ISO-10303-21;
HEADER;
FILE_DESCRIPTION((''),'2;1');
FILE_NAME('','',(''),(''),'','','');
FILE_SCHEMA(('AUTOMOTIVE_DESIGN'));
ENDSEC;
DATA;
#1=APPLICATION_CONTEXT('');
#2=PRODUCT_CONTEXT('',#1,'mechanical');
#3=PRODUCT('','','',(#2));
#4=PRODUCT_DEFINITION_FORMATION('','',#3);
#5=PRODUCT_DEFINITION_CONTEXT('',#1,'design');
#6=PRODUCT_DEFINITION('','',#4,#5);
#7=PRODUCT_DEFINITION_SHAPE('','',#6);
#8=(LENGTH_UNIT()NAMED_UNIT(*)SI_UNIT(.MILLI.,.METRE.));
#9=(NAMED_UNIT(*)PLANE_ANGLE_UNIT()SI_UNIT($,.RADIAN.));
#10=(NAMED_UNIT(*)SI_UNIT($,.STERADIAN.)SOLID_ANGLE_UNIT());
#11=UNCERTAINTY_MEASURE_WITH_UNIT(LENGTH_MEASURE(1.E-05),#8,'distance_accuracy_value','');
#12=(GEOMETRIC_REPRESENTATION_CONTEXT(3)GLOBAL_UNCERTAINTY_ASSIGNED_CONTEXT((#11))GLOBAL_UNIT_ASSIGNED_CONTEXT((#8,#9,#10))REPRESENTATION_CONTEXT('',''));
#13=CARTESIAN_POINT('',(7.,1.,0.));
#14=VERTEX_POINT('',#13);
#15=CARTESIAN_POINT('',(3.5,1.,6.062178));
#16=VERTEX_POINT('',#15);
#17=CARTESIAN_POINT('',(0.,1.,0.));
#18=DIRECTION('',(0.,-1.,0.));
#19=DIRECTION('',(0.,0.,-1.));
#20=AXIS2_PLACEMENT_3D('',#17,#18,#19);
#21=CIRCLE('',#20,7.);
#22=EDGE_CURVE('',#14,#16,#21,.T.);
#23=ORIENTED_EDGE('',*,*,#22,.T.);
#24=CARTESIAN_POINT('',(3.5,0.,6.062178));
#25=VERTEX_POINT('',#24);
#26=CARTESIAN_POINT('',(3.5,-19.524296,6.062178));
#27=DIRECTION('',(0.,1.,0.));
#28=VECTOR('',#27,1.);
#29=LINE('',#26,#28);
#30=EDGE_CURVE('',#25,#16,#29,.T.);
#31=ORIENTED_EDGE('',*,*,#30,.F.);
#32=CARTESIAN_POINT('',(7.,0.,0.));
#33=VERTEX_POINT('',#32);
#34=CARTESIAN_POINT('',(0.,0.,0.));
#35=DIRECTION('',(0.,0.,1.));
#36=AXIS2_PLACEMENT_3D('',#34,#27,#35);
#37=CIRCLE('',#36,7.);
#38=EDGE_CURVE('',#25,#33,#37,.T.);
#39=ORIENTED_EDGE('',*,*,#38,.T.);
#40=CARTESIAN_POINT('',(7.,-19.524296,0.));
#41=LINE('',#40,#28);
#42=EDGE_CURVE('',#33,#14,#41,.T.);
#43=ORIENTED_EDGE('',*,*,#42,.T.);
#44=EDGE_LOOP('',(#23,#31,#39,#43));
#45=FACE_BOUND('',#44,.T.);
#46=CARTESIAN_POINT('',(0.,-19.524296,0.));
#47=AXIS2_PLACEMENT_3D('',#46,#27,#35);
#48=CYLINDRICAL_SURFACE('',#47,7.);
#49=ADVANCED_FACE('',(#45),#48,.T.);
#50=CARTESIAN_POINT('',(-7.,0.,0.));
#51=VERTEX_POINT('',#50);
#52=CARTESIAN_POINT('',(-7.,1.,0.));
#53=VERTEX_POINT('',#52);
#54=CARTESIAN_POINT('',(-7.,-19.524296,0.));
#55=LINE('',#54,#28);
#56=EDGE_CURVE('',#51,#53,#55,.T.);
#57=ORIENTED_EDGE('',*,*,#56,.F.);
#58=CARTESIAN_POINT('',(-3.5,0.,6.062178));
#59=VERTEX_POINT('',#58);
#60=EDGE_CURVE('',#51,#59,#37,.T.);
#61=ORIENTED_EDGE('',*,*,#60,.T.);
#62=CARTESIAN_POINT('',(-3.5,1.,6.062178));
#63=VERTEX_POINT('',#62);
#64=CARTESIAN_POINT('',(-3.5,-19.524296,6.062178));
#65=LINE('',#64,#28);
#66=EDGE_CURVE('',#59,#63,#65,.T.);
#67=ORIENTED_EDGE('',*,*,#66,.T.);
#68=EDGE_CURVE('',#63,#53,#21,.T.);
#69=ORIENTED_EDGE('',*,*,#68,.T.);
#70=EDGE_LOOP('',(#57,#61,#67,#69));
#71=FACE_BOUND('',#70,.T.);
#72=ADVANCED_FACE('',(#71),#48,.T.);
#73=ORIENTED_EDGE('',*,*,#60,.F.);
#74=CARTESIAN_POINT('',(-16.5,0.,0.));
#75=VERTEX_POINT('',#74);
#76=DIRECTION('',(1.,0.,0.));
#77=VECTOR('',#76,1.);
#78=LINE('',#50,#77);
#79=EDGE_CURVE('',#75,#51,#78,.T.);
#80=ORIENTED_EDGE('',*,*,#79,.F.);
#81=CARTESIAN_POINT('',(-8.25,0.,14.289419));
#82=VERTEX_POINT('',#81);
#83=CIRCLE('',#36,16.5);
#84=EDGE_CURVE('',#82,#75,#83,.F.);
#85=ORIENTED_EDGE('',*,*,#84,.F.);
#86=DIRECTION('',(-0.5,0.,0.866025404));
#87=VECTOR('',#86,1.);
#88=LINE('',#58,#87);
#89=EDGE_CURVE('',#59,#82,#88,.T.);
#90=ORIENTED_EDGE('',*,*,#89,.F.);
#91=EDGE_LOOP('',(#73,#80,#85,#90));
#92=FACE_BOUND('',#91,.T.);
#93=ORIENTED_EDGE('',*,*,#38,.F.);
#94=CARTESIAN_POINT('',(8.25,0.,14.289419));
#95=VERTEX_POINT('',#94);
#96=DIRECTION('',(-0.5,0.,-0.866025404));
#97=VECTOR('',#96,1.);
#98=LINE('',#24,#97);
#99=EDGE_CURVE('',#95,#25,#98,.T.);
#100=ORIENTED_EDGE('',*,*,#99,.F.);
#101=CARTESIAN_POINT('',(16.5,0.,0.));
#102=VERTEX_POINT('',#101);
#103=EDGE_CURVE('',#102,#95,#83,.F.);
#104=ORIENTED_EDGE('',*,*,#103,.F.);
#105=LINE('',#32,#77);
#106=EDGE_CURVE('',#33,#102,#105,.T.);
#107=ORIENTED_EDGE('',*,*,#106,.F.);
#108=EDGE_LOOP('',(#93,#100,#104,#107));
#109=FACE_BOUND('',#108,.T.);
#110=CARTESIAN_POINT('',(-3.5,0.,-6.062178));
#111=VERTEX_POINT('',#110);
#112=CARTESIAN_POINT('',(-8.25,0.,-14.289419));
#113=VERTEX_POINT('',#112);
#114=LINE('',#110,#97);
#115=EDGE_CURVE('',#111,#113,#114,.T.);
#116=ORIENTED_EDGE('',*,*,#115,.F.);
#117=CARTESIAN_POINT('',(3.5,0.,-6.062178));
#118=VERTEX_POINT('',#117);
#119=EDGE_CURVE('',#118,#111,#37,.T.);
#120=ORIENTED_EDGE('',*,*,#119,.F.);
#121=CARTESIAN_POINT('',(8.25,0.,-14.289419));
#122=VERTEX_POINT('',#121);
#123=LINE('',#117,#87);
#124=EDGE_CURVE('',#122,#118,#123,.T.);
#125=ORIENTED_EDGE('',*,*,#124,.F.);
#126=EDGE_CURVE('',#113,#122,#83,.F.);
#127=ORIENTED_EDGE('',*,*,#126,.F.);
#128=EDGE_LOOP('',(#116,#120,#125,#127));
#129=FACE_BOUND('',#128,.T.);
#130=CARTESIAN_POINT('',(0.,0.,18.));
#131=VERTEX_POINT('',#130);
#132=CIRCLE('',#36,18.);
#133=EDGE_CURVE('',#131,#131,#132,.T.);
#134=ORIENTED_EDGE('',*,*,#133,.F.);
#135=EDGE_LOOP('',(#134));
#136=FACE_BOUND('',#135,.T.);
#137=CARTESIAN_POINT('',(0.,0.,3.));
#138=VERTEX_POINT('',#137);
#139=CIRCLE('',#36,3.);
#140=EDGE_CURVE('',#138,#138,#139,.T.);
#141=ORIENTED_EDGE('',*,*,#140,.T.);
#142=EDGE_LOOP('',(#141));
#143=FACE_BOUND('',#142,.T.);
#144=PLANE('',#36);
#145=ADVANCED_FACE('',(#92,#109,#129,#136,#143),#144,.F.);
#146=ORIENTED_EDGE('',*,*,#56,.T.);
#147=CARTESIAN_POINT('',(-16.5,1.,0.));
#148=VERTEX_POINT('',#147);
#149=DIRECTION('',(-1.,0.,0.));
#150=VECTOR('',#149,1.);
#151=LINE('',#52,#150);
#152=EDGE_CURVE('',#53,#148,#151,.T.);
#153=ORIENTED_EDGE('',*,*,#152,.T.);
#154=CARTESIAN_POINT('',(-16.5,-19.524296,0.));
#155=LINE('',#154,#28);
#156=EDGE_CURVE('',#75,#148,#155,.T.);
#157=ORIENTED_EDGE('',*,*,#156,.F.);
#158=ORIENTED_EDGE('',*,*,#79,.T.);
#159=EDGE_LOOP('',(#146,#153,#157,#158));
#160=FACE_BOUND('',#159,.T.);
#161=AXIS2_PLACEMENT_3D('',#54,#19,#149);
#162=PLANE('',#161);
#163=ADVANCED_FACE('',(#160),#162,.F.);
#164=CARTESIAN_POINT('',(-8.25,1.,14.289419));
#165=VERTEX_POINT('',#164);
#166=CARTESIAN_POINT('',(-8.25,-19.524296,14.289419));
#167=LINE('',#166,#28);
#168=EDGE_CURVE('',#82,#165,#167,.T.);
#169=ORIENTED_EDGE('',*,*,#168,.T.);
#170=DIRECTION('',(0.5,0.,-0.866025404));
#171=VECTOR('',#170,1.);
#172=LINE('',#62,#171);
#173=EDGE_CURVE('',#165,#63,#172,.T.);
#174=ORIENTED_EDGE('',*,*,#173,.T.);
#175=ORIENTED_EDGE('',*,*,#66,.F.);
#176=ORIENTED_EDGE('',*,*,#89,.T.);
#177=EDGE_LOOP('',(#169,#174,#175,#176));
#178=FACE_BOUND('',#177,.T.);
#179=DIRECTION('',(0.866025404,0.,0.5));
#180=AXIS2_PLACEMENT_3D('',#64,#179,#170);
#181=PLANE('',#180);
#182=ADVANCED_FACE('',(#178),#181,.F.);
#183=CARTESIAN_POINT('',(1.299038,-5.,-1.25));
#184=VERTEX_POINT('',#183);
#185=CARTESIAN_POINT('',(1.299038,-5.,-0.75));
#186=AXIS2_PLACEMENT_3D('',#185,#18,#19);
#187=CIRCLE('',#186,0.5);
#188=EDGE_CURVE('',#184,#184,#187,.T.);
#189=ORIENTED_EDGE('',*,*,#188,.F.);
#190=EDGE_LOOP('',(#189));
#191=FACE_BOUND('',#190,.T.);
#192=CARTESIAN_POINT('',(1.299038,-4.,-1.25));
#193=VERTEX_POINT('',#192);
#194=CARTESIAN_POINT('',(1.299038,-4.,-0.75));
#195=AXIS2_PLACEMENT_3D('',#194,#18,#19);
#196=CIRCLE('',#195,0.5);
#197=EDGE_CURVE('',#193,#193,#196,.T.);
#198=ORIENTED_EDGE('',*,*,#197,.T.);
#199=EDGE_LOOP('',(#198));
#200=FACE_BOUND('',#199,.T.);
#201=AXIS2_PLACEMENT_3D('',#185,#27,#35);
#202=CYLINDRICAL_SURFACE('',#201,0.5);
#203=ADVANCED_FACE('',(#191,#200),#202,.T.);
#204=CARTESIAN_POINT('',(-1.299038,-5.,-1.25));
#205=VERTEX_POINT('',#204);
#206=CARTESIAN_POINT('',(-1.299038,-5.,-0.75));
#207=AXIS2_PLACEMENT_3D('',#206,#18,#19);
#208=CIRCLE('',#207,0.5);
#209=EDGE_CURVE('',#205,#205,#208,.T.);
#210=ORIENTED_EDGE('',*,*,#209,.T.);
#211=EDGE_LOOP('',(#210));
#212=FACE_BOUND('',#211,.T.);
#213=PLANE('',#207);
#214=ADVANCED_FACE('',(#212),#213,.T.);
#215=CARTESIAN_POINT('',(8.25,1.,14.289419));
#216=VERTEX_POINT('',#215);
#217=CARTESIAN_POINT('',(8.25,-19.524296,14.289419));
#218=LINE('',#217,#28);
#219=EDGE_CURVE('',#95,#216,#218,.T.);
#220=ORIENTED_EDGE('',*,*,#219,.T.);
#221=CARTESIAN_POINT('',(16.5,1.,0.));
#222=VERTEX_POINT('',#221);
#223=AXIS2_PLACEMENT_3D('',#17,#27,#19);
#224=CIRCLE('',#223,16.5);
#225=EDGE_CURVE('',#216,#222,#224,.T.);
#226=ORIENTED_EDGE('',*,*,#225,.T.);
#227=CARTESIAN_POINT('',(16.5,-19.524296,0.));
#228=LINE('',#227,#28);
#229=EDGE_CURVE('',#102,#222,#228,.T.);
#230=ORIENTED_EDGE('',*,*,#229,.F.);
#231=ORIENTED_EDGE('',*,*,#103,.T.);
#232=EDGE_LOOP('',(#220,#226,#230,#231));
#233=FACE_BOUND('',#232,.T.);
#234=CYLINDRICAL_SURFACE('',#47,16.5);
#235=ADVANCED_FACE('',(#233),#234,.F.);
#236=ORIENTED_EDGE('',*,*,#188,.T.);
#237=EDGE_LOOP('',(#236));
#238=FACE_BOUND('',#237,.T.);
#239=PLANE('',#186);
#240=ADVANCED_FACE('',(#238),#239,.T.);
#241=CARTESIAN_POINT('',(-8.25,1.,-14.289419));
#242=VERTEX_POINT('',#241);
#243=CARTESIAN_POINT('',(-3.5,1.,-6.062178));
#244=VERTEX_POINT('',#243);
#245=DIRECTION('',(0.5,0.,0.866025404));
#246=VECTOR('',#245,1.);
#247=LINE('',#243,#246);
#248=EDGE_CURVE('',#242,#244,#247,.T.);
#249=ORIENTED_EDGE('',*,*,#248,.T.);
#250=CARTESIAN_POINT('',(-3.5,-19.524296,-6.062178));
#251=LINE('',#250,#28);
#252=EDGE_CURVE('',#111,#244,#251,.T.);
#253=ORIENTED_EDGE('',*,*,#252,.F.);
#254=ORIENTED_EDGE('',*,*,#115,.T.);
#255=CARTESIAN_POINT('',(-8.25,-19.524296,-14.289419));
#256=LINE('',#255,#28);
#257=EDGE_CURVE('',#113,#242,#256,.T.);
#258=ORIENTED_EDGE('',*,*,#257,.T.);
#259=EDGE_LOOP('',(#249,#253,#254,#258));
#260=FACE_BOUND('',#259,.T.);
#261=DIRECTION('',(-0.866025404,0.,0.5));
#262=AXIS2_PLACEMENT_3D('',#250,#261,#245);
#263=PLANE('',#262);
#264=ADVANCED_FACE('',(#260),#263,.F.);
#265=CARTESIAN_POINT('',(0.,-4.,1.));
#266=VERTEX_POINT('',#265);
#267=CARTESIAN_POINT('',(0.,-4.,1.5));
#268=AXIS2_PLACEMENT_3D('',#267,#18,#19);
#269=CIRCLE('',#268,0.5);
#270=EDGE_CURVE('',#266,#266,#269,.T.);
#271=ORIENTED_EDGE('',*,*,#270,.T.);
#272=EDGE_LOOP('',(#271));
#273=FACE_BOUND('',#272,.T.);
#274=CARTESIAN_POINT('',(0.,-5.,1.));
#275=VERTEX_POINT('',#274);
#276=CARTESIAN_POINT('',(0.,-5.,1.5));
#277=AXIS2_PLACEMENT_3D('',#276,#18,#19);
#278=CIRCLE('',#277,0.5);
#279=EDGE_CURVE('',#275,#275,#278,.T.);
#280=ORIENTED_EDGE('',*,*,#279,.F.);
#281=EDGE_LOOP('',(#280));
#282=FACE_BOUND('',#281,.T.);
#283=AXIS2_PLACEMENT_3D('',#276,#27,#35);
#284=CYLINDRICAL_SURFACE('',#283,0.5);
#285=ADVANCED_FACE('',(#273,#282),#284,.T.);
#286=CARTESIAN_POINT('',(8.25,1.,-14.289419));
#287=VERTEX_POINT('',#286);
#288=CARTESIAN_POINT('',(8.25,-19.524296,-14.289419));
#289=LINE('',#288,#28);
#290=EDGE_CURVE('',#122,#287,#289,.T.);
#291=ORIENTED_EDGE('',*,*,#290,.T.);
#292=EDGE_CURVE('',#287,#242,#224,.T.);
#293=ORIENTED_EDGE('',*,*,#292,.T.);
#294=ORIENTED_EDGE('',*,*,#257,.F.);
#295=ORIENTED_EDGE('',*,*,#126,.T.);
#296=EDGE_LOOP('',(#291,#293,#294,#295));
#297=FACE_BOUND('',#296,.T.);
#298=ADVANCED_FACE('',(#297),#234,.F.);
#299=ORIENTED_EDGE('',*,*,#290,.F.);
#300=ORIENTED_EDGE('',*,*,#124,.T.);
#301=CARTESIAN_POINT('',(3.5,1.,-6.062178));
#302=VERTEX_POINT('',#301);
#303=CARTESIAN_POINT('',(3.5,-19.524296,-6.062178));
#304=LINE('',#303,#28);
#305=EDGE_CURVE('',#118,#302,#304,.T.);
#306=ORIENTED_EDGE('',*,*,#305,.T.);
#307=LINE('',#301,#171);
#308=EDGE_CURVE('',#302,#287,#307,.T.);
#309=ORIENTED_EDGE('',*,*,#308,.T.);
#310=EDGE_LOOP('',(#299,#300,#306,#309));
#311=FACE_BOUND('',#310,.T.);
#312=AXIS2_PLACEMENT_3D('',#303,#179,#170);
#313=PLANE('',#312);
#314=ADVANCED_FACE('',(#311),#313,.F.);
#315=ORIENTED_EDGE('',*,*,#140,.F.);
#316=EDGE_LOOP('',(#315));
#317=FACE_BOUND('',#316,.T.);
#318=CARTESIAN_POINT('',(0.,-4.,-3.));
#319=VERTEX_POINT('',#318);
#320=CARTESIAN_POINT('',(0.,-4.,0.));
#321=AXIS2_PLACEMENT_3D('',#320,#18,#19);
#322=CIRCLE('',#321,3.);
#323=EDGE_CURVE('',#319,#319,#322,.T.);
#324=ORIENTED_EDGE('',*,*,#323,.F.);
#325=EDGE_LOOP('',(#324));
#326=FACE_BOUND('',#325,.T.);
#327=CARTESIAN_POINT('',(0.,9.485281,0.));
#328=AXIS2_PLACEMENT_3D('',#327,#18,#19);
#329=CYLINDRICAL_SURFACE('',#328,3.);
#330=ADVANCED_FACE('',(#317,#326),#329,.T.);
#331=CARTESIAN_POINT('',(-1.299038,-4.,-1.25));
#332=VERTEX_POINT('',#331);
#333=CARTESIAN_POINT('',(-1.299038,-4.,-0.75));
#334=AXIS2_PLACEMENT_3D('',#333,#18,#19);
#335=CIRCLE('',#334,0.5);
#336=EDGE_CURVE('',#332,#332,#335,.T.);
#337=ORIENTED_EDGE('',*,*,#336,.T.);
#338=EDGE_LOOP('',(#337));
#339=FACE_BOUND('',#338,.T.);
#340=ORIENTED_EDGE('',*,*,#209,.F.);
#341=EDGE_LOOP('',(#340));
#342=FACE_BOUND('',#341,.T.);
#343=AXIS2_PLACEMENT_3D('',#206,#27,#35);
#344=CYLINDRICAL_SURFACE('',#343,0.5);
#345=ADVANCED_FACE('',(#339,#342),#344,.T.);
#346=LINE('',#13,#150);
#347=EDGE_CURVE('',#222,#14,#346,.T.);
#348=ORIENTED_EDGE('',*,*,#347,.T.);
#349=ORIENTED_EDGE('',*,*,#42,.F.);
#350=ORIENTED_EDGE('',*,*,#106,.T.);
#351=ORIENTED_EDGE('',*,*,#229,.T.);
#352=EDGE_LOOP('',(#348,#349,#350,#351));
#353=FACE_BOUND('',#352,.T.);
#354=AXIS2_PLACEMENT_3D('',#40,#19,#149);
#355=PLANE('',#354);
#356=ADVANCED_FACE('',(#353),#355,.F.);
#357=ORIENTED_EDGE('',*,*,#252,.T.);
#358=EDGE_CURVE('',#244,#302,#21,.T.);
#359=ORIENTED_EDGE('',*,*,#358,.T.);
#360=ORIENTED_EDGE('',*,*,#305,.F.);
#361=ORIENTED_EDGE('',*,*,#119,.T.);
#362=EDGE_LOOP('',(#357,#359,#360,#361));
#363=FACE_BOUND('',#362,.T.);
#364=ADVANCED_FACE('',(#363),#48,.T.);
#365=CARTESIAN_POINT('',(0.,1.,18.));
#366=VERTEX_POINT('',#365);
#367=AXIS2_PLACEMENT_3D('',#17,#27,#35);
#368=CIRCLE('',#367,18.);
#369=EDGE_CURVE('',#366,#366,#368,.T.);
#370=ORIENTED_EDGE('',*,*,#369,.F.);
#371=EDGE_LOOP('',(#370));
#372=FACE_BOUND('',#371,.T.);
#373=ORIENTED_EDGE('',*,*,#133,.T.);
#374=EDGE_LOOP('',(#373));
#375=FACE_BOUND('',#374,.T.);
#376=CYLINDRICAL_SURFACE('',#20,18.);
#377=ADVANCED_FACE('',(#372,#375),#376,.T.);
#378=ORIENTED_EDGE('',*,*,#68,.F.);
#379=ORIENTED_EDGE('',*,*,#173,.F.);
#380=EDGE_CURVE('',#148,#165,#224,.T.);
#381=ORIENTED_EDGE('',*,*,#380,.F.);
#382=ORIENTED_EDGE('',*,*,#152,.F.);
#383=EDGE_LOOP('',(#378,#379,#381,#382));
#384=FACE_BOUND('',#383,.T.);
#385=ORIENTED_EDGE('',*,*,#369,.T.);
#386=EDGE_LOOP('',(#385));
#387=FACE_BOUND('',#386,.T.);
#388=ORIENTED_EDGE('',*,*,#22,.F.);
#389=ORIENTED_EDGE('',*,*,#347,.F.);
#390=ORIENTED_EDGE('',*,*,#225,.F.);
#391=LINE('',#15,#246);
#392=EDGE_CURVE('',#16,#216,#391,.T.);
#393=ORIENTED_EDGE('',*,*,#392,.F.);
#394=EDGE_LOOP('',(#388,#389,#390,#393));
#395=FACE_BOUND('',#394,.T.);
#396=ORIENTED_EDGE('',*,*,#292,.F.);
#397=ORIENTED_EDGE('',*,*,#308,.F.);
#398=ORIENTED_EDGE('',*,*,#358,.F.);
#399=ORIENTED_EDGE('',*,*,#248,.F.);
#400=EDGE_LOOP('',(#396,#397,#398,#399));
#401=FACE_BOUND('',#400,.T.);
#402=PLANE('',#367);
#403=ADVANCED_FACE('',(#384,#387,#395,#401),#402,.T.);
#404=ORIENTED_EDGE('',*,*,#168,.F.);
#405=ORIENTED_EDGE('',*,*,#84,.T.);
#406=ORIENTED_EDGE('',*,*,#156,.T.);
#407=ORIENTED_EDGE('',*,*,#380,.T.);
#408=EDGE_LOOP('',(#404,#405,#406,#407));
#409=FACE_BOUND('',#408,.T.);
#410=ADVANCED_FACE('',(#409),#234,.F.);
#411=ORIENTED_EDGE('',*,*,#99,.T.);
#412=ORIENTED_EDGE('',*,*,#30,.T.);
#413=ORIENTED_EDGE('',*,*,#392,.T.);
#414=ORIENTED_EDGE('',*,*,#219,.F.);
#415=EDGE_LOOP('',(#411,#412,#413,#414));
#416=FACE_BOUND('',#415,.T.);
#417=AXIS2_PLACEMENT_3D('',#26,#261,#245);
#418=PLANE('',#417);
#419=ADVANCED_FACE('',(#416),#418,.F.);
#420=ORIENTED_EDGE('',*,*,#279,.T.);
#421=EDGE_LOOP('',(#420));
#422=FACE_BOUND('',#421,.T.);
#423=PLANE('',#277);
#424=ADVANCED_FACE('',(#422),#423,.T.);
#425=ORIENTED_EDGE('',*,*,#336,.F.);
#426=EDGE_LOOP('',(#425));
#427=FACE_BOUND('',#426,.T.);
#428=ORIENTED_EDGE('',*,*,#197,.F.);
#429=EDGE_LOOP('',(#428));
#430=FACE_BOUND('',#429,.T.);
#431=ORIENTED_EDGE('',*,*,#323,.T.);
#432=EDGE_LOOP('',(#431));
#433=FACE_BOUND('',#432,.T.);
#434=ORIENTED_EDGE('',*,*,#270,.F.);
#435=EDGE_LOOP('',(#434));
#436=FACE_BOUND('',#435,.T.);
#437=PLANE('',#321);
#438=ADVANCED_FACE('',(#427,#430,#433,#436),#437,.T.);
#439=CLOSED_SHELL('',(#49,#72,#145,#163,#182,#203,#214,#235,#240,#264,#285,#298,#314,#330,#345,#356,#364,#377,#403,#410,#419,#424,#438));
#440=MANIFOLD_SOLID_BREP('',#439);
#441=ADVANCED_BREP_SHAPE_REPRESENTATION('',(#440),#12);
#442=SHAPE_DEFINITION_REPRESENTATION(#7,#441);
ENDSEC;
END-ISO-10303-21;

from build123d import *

# Parameters (mm, degrees)
SKETCH1_R                = 18
BOSS_EXTRUDE1_DEPTH      = 1
SKETCH4_R                = 0.5
CUT_EXTRUDE2_DEPTH       = 1
BOSS_EXTRUDE2_DEPTH      = 4
BOSS_EXTRUDE2_DEPTH_BACK = 1
SKETCH5_R                = 3
BOSS_EXTRUDE3_START      = -5
SKETCH4_3_R              = 0.5
BOSS_EXTRUDE3_DEPTH      = 1


with BuildPart() as part:
    # Sketch1 → Boss-Extrude1 (new body)
    with BuildSketch(Plane(origin=(0, 0, 0), x_dir=(1, 0, 0), z_dir=(0, 1, 0))):
        with Locations(Location((0, 0, 0), (0, 0, 270))):
            Circle(SKETCH1_R)
    extrude(amount=BOSS_EXTRUDE1_DEPTH)

    # Sketch4 → Cut-Extrude2 (cut)
    with BuildSketch(Plane(origin=(0, 1, 0), x_dir=(1, 0, 0), z_dir=(0, 1, 0))):
        with Locations(Location((1.299038106, 0.75, 0), (0, 0, 270))):
            Circle(SKETCH4_R)
        with Locations(Location((0, -1.5, 0), (0, 0, 270))):
            Circle(SKETCH4_R)
        with Locations(Location((-1.299038106, 0.75, 0), (0, 0, 270))):
            Circle(SKETCH4_R)
        with BuildLine():
            Line((-3.5, 6.062177826), (-8.25, 14.289419162))
            ThreePointArc((-8.25, 14.289419162), (0, 16.5), (8.25, 14.289419162))
            Line((8.25, 14.289419162), (3.5, 6.062177826))
            ThreePointArc((3.5, 6.062177826), (0, 7), (-3.5, 6.062177826))
        make_face()
        with BuildLine():
            Line((7, 0), (16.5, 0))
            ThreePointArc((16.5, 0), (14.289419162, -8.25), (8.25, -14.289419162))
            Line((8.25, -14.289419162), (3.5, -6.062177826))
            ThreePointArc((3.5, -6.062177826), (6.062177826, -3.5), (7, 0))
        make_face()
        with BuildLine():
            Line((-3.5, -6.062177826), (-8.25, -14.289419162))
            ThreePointArc((-8.25, -14.289419162), (-14.289419162, -8.25), (-16.5, 0))
            Line((-16.5, 0), (-7, 0))
            ThreePointArc((-7, 0), (-6.062177826, -3.5), (-3.5, -6.062177826))
        make_face()
    extrude(amount=-CUT_EXTRUDE2_DEPTH, mode=Mode.SUBTRACT)

    # Sketch5 → Boss-Extrude2 (add, two sides: drawn at the far end of the back side and taken through both)
    with BuildSketch(Plane.XZ.offset(-BOSS_EXTRUDE2_DEPTH_BACK)):
        with Locations(Location((0, 0, 0), (0, 0, 270))):
            Circle(SKETCH5_R)
    extrude(amount=BOSS_EXTRUDE2_DEPTH + BOSS_EXTRUDE2_DEPTH_BACK)

    # Sketch4<3> → Boss-Extrude3 (add)
    with BuildSketch(Plane(origin=(0, 1, 0), x_dir=(1, 0, 0), z_dir=(0, 1, 0)).offset(BOSS_EXTRUDE3_START)):
        with Locations(Location((0, -1.5, 0), (0, 0, 90))):
            Circle(SKETCH4_3_R)
        with Locations(Location((-1.299038106, 0.75, 0), (0, 0, 90))):
            Circle(SKETCH4_3_R)
        with Locations(Location((1.299038106, 0.75, 0), (0, 0, 90))):
            Circle(SKETCH4_3_R)
    extrude(amount=-BOSS_EXTRUDE3_DEPTH)


solid = part.part
